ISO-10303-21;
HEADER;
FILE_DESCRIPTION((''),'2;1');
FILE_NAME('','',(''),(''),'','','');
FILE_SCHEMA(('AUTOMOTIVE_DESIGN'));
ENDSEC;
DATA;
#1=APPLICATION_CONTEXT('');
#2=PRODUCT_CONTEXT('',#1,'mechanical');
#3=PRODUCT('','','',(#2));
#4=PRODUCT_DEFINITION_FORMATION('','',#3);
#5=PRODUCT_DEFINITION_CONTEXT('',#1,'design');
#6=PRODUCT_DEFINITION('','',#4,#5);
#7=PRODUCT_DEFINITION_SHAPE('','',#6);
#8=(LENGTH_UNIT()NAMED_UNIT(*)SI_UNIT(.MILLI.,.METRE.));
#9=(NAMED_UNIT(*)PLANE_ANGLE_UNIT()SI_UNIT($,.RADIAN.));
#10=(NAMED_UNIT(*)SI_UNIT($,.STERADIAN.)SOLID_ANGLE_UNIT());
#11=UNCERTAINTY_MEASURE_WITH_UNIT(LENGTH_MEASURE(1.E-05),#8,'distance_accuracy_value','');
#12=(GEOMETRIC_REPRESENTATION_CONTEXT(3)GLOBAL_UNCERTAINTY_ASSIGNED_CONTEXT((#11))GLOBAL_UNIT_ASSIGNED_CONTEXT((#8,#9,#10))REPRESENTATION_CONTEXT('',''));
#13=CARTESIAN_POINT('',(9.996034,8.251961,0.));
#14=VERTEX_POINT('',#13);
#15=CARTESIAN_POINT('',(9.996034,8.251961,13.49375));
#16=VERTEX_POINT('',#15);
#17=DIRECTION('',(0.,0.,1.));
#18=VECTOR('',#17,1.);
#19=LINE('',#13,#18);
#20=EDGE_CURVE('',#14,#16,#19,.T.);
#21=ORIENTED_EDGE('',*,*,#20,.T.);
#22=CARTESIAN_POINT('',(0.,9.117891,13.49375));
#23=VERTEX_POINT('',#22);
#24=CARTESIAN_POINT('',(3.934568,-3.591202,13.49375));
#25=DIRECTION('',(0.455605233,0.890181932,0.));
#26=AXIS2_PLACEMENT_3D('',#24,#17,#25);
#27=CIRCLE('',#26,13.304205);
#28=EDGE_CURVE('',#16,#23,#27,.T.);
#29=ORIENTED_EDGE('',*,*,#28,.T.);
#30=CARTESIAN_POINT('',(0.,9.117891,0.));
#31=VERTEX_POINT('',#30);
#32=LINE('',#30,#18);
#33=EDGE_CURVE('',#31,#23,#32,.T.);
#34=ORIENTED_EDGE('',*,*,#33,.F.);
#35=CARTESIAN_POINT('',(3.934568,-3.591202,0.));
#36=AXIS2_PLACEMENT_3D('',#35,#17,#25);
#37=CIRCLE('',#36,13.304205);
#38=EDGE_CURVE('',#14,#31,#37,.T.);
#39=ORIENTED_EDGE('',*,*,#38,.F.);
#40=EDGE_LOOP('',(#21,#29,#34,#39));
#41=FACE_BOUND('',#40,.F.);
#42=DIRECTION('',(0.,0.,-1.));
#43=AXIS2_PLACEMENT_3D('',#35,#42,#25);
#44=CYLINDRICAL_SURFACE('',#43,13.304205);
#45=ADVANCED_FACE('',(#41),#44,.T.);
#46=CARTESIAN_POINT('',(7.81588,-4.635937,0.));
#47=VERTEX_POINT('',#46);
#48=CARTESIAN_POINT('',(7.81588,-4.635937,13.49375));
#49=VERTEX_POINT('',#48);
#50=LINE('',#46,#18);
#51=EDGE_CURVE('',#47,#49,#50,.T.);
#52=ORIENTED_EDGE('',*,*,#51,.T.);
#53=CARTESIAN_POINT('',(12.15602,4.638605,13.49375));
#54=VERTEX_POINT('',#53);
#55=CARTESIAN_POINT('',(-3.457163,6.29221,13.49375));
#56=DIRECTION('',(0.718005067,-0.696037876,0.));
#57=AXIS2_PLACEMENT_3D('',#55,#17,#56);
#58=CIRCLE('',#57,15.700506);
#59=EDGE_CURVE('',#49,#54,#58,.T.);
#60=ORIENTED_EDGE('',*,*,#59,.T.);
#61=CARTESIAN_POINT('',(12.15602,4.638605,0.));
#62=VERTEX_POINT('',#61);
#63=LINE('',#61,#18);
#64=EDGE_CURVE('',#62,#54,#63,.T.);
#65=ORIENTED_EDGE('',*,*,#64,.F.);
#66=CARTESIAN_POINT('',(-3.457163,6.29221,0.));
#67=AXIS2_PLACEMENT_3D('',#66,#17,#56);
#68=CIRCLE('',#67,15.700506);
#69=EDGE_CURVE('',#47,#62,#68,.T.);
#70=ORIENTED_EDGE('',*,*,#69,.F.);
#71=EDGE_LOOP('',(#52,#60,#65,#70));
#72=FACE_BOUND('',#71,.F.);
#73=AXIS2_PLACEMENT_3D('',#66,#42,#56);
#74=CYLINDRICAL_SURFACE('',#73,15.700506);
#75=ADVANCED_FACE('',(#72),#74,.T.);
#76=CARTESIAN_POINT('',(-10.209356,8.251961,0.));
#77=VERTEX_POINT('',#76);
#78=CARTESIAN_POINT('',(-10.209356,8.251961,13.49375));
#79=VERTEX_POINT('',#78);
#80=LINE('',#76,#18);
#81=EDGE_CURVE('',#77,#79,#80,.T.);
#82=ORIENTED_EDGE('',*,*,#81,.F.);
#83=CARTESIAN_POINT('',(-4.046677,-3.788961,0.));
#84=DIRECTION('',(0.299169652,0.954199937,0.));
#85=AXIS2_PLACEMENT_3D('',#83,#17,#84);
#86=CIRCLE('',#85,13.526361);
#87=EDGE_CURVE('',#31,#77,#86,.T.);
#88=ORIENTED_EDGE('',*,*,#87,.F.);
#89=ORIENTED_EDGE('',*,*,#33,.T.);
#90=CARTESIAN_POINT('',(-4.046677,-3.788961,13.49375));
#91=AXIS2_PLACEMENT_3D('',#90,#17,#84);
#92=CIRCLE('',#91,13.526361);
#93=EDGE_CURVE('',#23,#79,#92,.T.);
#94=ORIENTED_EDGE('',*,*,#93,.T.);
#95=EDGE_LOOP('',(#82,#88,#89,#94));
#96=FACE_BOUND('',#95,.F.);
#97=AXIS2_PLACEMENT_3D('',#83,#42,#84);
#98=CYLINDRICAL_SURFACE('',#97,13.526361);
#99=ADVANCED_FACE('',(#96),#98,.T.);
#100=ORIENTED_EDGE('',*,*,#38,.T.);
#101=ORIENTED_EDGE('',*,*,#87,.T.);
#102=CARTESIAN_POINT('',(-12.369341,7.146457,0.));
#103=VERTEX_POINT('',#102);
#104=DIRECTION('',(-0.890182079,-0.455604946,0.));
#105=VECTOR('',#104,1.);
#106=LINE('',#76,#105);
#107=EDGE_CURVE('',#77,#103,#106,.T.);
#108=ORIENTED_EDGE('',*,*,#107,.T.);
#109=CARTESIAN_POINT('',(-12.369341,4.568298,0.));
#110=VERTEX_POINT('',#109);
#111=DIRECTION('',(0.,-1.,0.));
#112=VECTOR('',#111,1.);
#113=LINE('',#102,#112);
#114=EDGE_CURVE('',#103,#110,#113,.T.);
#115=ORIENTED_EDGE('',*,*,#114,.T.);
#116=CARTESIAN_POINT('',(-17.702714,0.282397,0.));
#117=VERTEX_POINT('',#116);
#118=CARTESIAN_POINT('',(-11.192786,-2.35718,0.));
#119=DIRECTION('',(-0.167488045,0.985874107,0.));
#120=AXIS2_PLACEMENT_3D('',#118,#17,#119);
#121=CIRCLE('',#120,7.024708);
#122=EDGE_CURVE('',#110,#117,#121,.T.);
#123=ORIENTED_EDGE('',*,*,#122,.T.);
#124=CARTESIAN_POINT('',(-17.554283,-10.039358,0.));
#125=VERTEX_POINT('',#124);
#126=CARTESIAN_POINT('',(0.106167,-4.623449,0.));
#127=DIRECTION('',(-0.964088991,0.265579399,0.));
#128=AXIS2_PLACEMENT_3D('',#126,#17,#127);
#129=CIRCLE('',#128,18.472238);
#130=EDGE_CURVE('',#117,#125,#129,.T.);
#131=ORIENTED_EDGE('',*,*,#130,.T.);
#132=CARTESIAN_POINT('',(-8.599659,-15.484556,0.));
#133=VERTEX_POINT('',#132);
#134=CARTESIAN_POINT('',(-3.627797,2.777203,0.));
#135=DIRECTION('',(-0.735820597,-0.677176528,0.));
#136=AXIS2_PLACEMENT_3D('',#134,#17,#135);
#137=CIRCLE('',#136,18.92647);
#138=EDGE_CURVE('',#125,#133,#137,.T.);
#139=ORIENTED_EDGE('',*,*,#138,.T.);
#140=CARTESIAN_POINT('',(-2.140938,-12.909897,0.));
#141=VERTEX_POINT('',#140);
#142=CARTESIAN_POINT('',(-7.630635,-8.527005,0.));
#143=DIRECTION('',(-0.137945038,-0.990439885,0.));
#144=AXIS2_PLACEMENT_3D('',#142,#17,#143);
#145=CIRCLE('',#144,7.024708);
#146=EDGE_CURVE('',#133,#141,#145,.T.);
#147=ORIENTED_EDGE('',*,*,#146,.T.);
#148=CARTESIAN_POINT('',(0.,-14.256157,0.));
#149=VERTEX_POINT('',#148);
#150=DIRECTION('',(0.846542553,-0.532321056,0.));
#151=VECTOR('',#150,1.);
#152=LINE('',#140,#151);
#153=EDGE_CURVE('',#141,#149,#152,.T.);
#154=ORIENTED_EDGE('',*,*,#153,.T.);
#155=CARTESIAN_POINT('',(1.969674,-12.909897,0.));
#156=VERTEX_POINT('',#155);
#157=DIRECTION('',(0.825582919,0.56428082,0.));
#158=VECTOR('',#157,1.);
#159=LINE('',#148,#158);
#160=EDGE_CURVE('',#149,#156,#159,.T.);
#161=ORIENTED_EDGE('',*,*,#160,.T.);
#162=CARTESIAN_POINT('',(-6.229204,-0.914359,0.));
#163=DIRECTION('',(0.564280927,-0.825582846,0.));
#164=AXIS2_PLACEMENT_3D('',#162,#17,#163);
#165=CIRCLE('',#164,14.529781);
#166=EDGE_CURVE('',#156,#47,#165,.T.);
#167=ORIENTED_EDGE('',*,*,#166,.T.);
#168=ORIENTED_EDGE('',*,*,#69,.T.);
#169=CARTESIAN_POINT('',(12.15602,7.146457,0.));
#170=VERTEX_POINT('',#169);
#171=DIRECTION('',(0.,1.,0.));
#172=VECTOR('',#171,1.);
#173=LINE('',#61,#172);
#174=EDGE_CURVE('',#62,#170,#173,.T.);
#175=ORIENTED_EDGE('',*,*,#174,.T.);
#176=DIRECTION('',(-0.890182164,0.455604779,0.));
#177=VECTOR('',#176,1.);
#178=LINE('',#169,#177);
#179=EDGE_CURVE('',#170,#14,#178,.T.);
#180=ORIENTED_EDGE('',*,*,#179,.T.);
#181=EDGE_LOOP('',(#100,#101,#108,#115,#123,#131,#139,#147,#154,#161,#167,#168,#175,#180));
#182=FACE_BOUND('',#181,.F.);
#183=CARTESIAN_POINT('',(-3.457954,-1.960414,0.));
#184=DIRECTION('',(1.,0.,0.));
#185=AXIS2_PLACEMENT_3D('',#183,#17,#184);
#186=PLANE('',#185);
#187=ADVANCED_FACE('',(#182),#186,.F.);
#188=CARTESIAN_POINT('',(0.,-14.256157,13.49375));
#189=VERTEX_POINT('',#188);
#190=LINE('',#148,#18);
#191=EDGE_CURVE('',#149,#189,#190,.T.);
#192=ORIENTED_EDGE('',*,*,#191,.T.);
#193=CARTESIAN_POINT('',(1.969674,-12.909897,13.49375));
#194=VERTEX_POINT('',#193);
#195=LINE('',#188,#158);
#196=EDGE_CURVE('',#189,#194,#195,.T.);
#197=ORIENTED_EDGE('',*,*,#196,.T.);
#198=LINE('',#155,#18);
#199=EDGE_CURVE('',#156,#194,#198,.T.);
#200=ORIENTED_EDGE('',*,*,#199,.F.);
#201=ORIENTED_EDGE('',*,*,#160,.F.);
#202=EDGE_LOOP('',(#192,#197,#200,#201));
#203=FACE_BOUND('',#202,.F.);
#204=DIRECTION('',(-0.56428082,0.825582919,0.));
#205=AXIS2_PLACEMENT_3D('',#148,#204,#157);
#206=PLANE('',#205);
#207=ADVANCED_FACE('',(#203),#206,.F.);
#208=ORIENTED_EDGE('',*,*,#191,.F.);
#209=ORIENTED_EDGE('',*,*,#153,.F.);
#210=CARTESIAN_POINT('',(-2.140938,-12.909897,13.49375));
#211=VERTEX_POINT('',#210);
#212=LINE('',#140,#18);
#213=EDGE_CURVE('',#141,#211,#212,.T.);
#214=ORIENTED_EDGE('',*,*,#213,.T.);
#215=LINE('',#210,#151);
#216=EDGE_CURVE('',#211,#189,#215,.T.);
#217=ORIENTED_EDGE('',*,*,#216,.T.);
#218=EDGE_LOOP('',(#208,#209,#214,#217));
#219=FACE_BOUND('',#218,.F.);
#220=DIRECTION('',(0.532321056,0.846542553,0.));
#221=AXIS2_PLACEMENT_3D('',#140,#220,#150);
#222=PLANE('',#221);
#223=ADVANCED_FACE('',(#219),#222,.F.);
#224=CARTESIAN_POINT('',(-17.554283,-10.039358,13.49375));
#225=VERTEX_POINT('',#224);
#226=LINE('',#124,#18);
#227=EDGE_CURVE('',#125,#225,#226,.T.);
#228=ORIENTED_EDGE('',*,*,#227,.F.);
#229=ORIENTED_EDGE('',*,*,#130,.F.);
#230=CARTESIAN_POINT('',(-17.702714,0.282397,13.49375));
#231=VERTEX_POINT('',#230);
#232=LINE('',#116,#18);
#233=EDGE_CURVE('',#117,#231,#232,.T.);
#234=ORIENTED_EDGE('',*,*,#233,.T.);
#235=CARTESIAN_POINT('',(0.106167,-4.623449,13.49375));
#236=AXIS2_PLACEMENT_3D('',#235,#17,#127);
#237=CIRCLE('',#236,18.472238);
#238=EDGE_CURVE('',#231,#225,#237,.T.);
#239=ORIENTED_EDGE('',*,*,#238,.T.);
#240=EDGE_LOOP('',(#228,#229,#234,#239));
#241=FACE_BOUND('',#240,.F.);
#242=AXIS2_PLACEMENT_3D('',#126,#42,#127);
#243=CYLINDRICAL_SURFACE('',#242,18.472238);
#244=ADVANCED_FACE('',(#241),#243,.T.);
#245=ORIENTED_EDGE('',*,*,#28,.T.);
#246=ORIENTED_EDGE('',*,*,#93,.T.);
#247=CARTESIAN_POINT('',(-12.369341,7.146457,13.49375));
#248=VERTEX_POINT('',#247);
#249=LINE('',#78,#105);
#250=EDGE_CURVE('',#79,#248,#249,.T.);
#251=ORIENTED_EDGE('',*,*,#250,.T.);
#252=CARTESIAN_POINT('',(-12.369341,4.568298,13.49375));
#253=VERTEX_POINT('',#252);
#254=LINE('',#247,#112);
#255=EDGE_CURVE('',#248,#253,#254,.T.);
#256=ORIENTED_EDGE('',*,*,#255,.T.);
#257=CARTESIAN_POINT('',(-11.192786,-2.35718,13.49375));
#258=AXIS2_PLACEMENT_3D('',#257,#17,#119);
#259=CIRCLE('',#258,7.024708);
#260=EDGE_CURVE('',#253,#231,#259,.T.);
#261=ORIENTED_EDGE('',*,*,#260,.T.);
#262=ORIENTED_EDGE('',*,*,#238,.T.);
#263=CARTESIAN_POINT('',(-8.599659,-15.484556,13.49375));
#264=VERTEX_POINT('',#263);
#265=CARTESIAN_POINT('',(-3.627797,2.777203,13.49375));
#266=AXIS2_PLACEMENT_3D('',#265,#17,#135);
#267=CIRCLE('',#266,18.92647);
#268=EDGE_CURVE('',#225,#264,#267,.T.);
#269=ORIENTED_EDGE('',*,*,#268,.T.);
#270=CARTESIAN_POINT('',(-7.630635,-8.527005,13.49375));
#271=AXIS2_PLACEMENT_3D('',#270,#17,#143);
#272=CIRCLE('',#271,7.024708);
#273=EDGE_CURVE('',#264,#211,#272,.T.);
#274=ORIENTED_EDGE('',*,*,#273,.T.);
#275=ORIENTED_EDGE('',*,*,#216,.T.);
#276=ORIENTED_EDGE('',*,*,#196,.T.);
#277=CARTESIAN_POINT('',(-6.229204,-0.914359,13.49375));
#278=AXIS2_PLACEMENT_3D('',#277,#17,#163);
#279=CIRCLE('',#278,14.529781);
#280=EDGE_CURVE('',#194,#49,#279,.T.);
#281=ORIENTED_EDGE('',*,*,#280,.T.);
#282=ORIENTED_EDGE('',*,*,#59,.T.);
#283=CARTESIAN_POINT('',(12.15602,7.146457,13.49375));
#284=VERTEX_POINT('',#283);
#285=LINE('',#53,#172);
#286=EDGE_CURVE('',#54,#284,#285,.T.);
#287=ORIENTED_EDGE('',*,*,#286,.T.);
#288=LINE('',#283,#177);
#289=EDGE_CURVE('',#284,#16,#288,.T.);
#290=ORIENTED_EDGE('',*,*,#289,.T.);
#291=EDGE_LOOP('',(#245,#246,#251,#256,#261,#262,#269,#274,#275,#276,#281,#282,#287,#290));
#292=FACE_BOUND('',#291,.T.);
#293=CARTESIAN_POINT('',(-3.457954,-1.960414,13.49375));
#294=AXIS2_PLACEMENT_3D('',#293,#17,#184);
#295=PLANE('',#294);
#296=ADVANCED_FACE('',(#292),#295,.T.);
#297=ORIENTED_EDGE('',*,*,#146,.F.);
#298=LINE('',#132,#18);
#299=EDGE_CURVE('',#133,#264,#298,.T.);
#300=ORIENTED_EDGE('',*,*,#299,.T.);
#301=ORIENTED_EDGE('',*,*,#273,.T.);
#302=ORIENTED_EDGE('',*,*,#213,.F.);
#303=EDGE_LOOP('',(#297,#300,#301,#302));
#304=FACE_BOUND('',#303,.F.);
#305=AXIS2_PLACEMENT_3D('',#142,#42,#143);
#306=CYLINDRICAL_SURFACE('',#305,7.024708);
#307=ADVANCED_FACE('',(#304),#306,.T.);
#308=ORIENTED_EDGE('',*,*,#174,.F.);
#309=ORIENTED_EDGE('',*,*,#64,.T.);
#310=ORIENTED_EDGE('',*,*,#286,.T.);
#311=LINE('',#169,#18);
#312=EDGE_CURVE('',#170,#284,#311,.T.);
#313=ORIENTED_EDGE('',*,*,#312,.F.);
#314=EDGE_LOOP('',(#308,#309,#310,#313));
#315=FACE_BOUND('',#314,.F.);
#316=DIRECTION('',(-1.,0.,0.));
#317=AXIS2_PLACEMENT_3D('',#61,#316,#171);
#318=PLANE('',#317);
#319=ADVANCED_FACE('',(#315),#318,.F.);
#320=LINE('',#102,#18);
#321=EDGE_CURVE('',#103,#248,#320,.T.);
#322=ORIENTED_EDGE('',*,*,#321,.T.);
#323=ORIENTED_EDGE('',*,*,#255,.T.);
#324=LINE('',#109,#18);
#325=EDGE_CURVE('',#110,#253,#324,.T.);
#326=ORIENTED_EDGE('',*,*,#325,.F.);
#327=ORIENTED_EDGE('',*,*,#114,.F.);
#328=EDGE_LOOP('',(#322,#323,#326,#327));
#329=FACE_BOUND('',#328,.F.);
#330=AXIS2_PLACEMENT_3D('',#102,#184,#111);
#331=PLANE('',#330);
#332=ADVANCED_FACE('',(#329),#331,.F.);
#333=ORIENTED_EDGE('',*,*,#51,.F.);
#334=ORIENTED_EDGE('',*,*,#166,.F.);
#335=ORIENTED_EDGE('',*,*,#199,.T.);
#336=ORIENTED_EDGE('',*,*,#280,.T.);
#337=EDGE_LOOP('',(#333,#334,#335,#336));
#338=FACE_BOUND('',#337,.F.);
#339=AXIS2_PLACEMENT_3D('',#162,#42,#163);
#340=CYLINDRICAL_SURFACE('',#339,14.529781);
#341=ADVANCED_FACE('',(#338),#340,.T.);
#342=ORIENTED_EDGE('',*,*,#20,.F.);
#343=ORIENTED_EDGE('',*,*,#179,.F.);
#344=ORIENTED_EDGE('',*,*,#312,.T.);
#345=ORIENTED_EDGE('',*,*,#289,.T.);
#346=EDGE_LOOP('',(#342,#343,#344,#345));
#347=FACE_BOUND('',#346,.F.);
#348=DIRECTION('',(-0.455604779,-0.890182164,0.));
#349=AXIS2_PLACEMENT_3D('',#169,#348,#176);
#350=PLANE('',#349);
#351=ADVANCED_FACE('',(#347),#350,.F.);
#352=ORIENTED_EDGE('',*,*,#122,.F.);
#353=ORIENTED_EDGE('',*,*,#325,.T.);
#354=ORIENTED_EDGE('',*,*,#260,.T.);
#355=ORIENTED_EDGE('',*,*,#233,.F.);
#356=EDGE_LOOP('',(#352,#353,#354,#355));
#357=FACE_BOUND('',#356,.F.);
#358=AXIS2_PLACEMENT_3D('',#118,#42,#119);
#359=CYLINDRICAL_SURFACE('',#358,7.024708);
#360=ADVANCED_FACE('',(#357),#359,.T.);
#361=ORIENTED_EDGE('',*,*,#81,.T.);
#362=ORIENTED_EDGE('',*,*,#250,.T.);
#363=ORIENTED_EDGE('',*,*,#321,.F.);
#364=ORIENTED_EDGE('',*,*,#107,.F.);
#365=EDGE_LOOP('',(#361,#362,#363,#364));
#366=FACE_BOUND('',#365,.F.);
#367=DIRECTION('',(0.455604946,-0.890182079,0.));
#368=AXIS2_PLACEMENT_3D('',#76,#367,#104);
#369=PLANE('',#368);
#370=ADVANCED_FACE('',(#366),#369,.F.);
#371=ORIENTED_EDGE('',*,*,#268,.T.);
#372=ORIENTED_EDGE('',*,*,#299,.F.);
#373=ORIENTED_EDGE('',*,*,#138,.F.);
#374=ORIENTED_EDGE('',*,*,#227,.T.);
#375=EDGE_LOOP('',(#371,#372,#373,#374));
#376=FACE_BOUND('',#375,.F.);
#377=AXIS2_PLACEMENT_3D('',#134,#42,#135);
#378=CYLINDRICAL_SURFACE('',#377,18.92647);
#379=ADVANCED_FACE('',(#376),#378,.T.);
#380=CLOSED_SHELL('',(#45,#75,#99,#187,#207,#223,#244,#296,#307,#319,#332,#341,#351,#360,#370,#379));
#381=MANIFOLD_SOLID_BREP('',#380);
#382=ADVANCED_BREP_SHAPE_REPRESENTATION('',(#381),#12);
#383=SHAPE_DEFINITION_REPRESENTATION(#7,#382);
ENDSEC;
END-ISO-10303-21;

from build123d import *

# Parameters (mm, degrees)
F1_DEPTH = 13.49375


with BuildPart() as f1:
    # F0 (on Top) → F1 (new body)
    with BuildSketch(Plane.XY):
        with BuildLine():
            ThreePointArc((0, 9.117891), (-5.189841, 9.689006), (-10.209356, 8.251961))
            Line((-10.209356, 8.251961), (-12.369341, 7.146457))
            Line((-12.369341, 7.146457), (-12.369341, 4.638605))
            Line((-12.369341, 4.638605), (-12.369341, 4.568298))
            ThreePointArc((-12.369341, 4.568298), (-15.593098, 3.118565), (-17.702714, 0.282397))
            ThreePointArc((-17.702714, 0.282397), (-18.364161, -4.88906), (-17.554283, -10.039358))
            ThreePointArc((-17.554283, -10.039358), (-13.461384, -13.394124), (-8.599659, -15.484556))
            ThreePointArc((-8.599659, -15.484556), (-5.029416, -15.052354), (-2.140938, -12.909897))
            Line((-2.140938, -12.909897), (0, -14.256157))
            Line((0, -14.256157), (1.969674, -12.909897))
            ThreePointArc((1.969674, -12.909897), (5.637264, -9.298956), (7.81588, -4.635937))
            ThreePointArc((7.81588, -4.635937), (10.7633, -0.362437), (12.15602, 4.638605))
            Line((12.15602, 4.638605), (12.15602, 7.146457))
            Line((12.15602, 7.146457), (9.996034, 8.251961))
            ThreePointArc((9.996034, 8.251961), (5.082776, 9.663363), (0, 9.117891))
        make_face()
    extrude(amount=F1_DEPTH)


solid = f1.part
